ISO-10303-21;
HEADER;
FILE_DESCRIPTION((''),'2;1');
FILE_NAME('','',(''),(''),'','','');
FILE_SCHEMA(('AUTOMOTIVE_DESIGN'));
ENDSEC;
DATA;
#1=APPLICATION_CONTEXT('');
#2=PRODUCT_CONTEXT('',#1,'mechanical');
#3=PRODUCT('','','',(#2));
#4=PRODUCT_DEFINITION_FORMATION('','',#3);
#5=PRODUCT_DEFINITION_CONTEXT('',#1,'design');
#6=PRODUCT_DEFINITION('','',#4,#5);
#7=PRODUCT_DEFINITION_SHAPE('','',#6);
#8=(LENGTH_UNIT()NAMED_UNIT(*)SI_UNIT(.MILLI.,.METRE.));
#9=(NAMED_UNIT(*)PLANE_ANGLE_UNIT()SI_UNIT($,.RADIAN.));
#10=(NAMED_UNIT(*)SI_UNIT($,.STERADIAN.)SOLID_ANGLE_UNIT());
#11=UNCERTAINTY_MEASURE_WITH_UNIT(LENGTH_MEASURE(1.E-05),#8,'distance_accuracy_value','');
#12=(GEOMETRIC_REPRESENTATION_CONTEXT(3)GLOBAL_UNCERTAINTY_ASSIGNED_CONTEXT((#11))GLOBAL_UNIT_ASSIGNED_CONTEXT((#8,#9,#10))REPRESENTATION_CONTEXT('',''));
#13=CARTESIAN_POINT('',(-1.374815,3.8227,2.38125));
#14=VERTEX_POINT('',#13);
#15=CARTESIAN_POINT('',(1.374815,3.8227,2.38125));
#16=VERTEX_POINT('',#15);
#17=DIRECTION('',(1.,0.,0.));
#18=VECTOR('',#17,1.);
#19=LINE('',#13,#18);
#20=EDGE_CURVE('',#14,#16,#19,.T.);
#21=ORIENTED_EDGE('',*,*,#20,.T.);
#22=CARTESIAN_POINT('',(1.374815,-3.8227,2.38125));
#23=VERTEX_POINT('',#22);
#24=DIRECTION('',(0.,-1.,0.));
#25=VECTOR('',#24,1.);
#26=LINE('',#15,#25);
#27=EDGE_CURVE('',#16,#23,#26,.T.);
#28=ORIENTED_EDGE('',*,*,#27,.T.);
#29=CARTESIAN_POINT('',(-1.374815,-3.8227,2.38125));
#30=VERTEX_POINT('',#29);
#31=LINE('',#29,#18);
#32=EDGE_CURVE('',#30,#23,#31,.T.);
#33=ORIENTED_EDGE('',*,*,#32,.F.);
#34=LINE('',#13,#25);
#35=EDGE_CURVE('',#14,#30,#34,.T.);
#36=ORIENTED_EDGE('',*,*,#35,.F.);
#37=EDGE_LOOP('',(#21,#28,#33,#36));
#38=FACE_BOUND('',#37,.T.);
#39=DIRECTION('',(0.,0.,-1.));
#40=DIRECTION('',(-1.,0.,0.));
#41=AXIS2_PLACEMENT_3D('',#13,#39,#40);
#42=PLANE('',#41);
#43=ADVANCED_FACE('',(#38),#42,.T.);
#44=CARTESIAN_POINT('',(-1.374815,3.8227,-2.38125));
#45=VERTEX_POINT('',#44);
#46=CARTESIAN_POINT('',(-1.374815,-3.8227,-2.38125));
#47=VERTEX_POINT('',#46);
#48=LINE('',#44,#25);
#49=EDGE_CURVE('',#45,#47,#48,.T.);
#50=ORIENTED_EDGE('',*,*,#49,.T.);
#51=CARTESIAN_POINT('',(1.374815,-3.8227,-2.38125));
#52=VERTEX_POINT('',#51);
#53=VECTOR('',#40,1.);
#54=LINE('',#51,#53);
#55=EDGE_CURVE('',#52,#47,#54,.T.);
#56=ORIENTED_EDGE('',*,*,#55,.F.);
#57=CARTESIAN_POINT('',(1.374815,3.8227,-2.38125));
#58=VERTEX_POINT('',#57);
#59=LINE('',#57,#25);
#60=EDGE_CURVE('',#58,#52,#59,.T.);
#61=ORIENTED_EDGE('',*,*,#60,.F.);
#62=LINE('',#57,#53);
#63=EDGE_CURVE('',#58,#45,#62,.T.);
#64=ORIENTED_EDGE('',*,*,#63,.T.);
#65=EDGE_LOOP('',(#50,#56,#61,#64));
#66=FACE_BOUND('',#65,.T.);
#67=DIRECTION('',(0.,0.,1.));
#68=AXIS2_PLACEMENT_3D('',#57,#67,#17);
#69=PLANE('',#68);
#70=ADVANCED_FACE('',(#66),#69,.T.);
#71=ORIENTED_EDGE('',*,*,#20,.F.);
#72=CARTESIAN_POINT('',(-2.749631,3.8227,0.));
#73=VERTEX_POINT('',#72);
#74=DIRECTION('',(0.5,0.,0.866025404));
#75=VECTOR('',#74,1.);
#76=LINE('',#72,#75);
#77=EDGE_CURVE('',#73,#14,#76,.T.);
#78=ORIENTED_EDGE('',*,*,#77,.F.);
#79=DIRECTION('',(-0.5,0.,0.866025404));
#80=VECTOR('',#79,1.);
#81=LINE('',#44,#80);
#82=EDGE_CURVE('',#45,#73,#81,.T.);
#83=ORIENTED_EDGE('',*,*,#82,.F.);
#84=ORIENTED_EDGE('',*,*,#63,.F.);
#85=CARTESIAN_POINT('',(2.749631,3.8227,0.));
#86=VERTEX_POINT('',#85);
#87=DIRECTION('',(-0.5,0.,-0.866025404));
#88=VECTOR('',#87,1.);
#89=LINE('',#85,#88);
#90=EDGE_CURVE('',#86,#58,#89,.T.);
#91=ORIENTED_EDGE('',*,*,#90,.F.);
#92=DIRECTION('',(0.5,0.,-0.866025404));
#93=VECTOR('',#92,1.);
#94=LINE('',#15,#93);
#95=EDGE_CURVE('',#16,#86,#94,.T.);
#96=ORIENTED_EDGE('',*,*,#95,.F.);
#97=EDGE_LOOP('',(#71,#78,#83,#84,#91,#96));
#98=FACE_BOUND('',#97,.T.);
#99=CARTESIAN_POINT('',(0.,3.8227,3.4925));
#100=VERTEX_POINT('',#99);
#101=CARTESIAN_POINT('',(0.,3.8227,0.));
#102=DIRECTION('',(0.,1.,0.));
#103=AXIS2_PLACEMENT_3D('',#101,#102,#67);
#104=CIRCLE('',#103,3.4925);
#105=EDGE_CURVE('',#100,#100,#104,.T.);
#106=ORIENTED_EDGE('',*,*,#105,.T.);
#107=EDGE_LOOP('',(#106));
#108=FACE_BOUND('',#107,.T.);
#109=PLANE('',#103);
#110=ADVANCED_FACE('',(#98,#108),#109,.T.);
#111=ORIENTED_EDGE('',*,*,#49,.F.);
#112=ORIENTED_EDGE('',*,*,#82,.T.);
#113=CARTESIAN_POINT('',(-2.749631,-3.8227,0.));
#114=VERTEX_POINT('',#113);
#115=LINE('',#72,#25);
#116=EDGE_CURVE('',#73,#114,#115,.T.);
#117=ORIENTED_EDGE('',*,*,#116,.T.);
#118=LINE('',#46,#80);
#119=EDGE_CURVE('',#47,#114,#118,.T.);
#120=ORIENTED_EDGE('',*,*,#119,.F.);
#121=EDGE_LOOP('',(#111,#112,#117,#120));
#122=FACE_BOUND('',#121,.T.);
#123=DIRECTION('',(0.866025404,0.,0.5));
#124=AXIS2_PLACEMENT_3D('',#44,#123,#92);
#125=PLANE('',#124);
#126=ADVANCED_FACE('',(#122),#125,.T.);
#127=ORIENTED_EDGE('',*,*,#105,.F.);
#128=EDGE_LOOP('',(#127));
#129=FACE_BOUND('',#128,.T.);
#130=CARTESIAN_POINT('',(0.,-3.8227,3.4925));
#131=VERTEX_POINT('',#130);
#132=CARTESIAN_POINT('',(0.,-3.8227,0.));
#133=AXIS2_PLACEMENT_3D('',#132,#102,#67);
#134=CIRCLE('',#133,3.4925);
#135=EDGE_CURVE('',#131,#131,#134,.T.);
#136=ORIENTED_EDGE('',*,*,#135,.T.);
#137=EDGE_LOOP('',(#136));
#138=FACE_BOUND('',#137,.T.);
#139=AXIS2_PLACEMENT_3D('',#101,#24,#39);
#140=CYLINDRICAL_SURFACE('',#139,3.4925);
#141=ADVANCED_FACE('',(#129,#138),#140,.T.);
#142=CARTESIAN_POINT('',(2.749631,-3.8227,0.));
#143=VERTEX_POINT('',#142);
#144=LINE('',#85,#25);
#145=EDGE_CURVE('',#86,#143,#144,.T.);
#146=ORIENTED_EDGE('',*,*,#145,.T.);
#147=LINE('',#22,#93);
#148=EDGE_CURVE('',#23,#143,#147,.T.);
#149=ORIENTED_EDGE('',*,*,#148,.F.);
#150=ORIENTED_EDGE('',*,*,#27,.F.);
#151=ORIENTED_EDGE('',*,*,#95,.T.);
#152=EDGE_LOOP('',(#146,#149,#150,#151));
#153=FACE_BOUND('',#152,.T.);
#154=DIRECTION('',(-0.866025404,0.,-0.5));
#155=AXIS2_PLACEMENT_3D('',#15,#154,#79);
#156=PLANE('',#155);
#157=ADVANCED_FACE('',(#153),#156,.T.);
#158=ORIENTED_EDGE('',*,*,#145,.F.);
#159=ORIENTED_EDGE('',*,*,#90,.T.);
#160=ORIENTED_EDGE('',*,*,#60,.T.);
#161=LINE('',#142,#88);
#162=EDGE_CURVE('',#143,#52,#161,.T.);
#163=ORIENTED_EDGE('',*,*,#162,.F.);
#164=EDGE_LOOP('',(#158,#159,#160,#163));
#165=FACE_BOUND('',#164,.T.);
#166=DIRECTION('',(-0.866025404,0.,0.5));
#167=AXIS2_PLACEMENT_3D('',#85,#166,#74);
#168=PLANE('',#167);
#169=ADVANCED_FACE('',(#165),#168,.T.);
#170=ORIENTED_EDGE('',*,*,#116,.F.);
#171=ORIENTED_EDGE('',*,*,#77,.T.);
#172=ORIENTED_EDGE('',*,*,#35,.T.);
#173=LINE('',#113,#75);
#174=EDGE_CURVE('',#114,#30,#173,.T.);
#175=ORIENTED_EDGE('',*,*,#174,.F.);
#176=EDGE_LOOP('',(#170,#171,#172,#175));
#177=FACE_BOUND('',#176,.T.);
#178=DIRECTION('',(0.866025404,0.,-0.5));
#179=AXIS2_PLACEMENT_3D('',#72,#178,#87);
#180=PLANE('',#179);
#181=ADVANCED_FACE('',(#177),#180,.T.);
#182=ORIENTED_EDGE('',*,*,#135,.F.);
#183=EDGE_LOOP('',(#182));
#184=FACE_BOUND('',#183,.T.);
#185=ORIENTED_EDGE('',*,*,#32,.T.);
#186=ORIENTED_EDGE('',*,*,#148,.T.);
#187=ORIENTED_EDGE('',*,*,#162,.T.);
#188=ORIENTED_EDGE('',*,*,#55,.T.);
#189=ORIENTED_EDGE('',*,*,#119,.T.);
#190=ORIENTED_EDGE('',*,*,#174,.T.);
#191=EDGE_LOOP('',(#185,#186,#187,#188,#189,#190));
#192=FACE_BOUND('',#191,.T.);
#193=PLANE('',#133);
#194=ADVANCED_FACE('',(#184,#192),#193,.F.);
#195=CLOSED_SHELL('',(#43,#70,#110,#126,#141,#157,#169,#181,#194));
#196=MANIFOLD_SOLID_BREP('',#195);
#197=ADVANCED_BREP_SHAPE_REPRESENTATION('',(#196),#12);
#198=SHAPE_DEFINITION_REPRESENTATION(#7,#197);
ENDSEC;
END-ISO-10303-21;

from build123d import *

# Parameters (mm, degrees)
SKETCH1_R           = 3.4925
BOSS_EXTRUDE1_DEPTH = 3.8227


with BuildPart() as part:
    # Sketch1 → Boss-Extrude1 (new body, symmetric)
    with BuildSketch(Plane(origin=(0, 0, 0), x_dir=(1, 0, 0), z_dir=(0, 1, 0))):
        Circle(SKETCH1_R)
        Polygon((1.374815329, -2.38125), (2.749630657, 0), (1.374815329, 2.38125), (-1.374815329, 2.38125), (-2.749630657, 0), (-1.374815329, -2.38125), align=None, mode=Mode.SUBTRACT)
    extrude(amount=BOSS_EXTRUDE1_DEPTH, both=True)


solid = part.part
